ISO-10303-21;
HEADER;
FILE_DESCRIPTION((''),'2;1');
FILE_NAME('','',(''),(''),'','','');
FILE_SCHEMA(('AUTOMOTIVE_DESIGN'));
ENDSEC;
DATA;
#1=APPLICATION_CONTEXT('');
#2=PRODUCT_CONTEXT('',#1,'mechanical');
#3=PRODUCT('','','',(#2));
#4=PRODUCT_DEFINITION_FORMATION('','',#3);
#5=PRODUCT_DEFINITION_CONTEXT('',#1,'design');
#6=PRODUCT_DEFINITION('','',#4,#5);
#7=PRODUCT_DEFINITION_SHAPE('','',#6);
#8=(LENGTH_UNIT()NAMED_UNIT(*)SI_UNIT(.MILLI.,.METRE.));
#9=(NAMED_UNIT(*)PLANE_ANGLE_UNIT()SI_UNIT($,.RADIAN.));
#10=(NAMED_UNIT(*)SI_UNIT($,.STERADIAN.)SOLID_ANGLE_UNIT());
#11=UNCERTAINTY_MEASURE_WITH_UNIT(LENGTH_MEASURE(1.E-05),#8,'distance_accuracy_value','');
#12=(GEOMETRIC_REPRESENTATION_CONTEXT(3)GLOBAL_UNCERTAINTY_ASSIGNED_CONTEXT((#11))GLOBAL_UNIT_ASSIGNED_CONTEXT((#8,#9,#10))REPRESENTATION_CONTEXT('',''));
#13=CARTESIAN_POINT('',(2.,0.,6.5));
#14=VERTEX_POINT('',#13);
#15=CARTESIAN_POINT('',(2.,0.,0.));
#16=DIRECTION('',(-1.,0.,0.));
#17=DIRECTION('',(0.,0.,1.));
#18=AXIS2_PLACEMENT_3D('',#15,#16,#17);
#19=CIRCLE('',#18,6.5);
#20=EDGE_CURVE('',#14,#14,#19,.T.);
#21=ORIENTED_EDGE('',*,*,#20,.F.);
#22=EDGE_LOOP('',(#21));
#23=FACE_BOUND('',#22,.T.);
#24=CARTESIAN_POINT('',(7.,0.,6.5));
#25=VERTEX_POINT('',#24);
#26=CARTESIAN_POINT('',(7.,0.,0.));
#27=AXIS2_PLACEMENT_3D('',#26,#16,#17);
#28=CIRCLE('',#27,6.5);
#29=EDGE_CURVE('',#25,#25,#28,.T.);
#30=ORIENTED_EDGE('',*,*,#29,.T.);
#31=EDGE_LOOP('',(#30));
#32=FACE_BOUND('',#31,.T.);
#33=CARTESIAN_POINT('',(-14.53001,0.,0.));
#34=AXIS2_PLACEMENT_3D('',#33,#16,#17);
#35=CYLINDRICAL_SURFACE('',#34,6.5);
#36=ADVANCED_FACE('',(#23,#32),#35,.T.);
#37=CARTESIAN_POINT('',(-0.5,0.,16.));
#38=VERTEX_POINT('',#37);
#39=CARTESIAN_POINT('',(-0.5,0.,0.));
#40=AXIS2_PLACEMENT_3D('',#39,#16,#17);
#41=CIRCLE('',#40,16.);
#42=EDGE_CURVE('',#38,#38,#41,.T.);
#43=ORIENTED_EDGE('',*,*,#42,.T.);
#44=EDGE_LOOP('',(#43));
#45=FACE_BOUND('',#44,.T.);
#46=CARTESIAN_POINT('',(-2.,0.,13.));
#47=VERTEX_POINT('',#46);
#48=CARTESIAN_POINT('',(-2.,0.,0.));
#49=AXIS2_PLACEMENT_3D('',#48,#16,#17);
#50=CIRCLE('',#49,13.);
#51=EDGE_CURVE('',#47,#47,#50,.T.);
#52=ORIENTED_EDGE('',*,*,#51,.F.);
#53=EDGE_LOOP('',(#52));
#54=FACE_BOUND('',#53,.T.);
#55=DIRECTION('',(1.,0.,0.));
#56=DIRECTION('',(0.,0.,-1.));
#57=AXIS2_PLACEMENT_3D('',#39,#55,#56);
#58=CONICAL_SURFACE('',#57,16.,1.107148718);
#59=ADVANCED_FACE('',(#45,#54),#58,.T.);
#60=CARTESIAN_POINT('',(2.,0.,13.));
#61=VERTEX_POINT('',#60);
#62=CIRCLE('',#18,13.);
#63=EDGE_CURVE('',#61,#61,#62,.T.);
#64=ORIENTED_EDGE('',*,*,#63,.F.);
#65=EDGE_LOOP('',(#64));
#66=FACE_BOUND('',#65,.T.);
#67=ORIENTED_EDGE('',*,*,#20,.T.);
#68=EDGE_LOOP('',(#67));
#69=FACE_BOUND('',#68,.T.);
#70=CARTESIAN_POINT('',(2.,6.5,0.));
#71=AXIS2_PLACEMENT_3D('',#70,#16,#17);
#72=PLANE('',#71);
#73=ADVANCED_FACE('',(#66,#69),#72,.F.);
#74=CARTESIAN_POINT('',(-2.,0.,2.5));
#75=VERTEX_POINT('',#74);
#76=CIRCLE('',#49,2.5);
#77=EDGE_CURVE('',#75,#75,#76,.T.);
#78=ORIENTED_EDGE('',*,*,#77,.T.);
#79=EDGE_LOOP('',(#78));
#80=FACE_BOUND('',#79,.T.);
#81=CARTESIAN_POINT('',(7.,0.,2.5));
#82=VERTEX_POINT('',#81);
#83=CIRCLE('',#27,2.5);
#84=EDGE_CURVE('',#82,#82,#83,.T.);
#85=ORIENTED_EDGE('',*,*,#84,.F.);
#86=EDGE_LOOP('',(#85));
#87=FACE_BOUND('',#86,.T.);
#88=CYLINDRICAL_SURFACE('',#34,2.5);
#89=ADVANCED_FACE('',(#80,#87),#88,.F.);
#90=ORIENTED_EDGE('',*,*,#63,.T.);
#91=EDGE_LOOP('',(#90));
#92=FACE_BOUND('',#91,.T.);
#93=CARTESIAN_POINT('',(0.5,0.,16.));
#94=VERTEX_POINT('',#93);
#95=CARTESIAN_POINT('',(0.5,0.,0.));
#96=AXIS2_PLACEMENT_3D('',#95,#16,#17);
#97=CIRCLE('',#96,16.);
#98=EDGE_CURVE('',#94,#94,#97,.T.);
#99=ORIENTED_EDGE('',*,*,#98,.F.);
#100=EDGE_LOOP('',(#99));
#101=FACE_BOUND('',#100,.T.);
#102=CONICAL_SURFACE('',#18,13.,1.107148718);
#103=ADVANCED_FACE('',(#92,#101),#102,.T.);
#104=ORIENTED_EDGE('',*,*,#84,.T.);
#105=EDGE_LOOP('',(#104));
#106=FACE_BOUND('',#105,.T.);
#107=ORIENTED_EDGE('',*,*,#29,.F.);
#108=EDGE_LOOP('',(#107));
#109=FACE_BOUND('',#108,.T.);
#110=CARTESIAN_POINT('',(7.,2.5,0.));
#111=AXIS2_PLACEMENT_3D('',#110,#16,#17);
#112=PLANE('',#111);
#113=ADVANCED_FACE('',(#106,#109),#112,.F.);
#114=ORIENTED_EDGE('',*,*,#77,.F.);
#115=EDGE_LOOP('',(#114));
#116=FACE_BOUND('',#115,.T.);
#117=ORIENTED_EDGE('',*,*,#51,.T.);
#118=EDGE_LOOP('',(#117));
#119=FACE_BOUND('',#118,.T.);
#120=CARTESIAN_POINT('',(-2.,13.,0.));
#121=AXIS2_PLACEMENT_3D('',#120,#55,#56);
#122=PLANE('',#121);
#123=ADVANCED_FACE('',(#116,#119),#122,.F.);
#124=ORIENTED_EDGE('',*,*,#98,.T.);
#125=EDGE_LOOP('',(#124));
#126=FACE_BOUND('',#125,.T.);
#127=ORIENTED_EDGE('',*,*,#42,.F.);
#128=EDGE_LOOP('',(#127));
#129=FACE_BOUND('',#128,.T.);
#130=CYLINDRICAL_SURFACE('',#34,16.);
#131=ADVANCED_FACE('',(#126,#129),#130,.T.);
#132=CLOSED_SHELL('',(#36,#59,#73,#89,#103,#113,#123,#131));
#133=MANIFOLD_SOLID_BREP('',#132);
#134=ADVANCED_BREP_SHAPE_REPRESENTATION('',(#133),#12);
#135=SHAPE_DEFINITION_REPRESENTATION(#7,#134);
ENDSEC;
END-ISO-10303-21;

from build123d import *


with BuildPart() as part:
    # Esquisse1 → Révolution1 (revolve)
    with BuildSketch(Plane.XY):
        Polygon((-2, 2.5), (7, 2.5), (7, 6.5), (2, 6.5), (2, 13), (0.5, 16), (-0.5, 16), (-2, 13), align=None)
    revolve(axis=Axis((-14.530010417, 0, 0), (1, 0, 0)))


solid = part.part
